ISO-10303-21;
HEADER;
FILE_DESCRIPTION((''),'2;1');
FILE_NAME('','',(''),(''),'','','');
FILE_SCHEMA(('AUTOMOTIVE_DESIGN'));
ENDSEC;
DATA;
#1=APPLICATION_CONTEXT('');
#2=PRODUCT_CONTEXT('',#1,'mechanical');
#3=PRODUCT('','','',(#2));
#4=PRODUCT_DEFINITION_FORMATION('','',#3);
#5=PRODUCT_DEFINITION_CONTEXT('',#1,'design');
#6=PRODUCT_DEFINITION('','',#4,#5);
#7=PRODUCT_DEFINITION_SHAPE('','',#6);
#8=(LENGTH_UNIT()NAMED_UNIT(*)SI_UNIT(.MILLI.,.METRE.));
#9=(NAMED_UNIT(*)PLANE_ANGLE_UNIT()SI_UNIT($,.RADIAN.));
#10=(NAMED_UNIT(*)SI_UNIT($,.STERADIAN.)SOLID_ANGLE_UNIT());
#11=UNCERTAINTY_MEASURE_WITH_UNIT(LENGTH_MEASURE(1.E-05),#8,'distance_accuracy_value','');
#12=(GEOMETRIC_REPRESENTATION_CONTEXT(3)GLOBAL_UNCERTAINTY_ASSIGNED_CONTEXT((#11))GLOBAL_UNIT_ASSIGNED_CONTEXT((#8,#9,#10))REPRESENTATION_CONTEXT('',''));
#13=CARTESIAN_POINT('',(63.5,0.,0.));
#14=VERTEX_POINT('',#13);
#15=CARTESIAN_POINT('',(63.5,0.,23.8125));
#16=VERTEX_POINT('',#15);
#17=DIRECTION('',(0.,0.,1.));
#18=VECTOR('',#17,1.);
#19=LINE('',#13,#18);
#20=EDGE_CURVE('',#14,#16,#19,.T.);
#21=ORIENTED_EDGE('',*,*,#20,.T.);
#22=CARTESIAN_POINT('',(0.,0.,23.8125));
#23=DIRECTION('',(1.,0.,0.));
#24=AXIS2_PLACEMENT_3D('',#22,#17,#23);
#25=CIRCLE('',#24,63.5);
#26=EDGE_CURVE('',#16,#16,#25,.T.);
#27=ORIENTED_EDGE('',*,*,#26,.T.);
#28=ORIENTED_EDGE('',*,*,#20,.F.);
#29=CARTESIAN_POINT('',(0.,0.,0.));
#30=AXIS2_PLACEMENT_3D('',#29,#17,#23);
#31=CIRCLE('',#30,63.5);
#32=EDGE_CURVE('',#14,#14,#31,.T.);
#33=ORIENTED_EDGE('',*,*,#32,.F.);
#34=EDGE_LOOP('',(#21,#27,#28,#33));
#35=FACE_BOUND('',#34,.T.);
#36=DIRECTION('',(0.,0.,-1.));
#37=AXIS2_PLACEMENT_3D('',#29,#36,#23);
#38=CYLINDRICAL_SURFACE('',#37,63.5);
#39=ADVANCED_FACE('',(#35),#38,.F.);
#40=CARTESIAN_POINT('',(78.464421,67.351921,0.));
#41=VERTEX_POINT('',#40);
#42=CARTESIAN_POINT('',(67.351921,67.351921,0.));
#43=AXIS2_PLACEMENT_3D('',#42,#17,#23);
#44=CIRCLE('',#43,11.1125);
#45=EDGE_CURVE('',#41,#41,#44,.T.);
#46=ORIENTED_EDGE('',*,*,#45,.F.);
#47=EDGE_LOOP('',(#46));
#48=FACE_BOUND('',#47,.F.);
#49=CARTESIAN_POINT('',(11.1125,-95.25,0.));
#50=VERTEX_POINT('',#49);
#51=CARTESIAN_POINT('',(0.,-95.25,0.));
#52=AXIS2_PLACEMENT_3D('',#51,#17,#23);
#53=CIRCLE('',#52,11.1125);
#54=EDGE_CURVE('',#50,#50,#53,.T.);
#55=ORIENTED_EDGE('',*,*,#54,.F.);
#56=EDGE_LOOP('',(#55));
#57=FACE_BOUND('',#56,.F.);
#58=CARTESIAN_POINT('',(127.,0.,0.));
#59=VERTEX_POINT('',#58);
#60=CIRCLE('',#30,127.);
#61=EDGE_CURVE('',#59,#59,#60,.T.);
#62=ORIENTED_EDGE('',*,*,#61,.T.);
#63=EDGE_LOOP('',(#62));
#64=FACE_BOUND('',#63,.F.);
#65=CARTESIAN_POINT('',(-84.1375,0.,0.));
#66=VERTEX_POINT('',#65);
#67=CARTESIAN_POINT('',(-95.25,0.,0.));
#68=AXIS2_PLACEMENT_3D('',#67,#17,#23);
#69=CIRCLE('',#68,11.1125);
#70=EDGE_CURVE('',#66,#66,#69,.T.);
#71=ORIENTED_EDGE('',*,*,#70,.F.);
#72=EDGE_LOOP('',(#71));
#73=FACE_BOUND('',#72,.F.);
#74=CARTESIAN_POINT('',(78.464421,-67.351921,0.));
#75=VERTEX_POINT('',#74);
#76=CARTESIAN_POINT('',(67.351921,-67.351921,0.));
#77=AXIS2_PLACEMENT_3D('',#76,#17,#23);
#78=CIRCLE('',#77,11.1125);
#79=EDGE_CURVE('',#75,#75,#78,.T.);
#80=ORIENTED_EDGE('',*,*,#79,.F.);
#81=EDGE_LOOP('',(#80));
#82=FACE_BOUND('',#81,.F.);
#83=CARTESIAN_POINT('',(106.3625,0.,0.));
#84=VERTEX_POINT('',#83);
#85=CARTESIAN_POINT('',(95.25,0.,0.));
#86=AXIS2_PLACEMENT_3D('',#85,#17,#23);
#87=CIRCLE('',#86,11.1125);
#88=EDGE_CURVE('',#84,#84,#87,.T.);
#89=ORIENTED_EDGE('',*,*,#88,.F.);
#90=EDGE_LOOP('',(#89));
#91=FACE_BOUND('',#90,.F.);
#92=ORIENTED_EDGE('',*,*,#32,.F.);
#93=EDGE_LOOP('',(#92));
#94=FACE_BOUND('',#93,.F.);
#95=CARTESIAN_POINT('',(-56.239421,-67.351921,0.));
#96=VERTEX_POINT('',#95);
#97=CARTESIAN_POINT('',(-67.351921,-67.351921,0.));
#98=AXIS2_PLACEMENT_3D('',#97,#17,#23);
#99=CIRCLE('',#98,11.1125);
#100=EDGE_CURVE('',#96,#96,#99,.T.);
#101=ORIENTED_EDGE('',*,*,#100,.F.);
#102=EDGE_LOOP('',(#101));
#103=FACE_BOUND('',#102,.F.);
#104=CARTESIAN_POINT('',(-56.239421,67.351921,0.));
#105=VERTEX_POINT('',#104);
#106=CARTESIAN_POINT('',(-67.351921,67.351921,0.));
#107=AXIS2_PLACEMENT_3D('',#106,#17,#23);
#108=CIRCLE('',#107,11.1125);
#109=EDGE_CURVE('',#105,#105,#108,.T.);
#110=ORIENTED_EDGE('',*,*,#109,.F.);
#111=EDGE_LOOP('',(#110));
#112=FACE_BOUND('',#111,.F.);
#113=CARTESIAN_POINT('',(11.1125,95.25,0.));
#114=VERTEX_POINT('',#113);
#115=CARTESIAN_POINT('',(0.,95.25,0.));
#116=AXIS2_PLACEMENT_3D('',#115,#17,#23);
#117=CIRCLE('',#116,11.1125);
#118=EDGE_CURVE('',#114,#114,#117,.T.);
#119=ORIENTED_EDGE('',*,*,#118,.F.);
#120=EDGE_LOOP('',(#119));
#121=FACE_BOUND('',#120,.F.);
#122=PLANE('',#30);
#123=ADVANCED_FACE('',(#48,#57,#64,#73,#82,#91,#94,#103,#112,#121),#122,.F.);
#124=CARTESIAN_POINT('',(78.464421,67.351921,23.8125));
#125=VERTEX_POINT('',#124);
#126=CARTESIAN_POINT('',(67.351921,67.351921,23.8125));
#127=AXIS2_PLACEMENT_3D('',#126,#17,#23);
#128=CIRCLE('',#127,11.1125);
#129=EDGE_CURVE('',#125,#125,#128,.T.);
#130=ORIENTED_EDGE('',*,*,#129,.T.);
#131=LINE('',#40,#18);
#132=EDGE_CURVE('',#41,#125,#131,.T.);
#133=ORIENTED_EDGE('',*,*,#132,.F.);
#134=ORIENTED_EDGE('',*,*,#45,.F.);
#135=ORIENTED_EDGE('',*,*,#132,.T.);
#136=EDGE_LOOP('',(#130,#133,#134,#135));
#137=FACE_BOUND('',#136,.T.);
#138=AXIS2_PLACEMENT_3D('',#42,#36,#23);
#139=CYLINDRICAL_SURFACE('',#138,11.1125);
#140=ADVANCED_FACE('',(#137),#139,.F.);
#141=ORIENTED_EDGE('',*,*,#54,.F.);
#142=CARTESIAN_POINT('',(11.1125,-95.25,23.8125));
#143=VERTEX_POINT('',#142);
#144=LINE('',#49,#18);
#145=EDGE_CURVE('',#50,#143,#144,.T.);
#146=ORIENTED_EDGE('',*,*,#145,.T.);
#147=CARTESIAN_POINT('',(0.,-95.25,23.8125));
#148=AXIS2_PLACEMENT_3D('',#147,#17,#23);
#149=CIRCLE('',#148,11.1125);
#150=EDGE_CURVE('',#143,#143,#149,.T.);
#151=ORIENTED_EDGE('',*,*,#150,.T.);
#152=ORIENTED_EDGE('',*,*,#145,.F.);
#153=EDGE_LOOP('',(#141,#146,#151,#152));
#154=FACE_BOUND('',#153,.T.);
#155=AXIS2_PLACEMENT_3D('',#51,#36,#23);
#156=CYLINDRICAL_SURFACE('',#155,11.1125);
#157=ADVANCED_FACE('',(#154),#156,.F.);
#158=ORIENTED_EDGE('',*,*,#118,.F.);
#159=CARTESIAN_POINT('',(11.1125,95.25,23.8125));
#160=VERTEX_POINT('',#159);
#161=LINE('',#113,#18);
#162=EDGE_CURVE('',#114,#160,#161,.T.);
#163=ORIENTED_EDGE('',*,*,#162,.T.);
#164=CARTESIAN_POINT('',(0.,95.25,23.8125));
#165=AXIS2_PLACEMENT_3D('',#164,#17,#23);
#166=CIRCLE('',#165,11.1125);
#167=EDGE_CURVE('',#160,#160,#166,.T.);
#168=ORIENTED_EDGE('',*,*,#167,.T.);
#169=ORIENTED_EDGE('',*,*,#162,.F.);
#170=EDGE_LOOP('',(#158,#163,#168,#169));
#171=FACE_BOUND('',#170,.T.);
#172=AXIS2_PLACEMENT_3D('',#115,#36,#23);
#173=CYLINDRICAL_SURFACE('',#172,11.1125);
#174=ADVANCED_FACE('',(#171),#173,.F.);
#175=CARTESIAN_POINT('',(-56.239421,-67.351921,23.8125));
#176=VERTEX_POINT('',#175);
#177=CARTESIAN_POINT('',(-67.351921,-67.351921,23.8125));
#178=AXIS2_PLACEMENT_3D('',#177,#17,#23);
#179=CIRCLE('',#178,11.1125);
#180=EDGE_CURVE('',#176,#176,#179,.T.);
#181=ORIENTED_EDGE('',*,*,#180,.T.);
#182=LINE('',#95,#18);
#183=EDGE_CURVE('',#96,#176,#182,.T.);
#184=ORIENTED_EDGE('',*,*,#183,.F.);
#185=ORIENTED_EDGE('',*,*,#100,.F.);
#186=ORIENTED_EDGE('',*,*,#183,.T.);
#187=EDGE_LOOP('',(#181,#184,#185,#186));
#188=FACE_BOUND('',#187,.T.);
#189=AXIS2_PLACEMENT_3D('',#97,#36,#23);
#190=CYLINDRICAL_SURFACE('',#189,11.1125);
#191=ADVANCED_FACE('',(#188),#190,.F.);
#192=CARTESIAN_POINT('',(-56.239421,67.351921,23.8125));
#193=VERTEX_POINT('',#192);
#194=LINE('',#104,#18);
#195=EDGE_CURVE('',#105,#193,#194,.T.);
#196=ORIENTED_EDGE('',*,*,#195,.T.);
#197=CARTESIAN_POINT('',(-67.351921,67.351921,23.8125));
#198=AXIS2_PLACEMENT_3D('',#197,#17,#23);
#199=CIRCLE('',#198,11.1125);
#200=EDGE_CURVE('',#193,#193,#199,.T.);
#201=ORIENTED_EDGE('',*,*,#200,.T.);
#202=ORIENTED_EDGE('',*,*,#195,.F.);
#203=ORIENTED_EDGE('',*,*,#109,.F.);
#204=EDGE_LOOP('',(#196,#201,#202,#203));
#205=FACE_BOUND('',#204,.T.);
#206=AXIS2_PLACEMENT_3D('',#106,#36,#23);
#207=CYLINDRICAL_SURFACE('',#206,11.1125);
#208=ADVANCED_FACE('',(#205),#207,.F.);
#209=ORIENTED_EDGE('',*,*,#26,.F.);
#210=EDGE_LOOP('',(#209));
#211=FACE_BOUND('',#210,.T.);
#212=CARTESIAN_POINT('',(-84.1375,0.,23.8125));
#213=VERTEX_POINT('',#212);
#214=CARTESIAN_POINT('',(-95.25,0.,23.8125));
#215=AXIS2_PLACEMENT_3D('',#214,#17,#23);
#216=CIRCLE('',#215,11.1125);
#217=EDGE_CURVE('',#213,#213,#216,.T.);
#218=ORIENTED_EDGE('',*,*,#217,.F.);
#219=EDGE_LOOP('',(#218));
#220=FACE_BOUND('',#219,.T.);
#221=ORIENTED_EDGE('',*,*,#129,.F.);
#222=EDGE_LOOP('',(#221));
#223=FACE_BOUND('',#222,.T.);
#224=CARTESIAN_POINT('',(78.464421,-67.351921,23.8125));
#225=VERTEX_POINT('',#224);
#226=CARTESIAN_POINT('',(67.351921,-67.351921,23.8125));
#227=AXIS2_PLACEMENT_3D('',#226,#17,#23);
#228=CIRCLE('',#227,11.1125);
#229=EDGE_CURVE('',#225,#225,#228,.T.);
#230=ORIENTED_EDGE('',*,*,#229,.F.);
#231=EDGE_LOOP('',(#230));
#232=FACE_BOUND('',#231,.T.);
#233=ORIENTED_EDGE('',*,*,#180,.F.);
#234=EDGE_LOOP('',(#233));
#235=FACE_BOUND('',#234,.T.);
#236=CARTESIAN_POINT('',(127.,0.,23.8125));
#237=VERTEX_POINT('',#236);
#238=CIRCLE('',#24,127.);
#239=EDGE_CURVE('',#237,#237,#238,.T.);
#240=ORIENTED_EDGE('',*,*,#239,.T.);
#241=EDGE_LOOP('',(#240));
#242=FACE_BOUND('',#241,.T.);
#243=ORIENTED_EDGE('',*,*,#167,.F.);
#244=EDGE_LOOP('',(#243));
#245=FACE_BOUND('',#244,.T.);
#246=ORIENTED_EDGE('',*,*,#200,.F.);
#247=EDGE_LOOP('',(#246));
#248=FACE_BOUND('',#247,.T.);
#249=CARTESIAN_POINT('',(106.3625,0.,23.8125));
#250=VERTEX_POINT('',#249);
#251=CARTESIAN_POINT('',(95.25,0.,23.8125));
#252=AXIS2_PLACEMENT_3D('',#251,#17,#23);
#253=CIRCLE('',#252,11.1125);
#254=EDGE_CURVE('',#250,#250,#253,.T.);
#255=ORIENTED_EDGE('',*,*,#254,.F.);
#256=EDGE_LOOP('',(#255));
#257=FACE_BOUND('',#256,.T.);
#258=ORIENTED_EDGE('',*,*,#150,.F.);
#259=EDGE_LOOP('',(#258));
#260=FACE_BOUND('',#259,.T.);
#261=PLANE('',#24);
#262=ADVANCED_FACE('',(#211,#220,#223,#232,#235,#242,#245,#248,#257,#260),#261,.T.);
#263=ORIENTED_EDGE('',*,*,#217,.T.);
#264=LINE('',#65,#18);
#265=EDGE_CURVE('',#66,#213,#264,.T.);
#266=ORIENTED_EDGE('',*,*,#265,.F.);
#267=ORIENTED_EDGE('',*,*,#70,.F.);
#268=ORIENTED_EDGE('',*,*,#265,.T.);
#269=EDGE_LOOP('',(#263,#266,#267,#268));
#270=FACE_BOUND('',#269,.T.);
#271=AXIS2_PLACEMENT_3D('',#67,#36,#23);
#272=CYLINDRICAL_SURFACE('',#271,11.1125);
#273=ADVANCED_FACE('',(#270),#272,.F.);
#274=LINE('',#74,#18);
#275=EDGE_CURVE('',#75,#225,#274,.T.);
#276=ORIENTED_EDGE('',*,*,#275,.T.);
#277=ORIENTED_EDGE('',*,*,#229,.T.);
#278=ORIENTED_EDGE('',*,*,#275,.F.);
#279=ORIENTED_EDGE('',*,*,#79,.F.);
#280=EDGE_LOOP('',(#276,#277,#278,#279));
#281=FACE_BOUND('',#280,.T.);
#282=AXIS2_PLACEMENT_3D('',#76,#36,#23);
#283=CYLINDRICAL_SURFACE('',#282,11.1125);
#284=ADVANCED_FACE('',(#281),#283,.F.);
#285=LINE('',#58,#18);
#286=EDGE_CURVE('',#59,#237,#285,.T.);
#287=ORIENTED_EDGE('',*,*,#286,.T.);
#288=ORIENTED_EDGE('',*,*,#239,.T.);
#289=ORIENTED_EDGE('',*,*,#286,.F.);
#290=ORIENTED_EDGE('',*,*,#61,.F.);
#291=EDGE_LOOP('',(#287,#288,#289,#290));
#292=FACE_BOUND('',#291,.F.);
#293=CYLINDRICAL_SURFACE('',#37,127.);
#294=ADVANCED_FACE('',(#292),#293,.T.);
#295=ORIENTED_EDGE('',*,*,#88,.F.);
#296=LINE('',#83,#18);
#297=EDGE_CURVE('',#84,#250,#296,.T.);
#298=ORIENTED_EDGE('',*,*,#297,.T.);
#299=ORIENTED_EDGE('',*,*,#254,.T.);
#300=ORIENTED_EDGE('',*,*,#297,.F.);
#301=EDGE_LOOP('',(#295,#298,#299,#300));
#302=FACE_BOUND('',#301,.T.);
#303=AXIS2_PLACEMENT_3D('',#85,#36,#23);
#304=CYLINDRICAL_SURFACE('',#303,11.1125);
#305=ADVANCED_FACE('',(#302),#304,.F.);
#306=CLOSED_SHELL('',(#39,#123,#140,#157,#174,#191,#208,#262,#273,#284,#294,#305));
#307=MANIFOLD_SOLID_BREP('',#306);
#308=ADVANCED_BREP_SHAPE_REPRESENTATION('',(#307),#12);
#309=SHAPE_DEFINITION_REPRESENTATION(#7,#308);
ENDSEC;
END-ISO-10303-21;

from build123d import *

# Parameters (mm, degrees)
F0_R     = 127
F0_R_2   = 11.1125
F0_R_3   = 63.5
F1_DEPTH = 23.8125


with BuildPart() as f1:
    # F0 (on Top) → F1 (new body)
    with BuildSketch(Plane.XY):
        Circle(F0_R)
        with Locations((-67.351921, -67.351921)):
            Circle(F0_R_2, mode=Mode.SUBTRACT)
        with Locations((0, -95.25)):
            Circle(F0_R_2, mode=Mode.SUBTRACT)
        with Locations((67.351921, -67.351921)):
            Circle(F0_R_2, mode=Mode.SUBTRACT)
        with Locations((-95.25, 0)):
            Circle(F0_R_2, mode=Mode.SUBTRACT)
        with Locations((-67.351921, 67.351921)):
            Circle(F0_R_2, mode=Mode.SUBTRACT)
        Circle(F0_R_3, mode=Mode.SUBTRACT)
        with Locations((95.25, 0)):
            Circle(F0_R_2, mode=Mode.SUBTRACT)
        with Locations((0, 95.25)):
            Circle(F0_R_2, mode=Mode.SUBTRACT)
        with Locations((67.351921, 67.351921)):
            Circle(F0_R_2, mode=Mode.SUBTRACT)
    extrude(amount=F1_DEPTH)


solid = f1.part
